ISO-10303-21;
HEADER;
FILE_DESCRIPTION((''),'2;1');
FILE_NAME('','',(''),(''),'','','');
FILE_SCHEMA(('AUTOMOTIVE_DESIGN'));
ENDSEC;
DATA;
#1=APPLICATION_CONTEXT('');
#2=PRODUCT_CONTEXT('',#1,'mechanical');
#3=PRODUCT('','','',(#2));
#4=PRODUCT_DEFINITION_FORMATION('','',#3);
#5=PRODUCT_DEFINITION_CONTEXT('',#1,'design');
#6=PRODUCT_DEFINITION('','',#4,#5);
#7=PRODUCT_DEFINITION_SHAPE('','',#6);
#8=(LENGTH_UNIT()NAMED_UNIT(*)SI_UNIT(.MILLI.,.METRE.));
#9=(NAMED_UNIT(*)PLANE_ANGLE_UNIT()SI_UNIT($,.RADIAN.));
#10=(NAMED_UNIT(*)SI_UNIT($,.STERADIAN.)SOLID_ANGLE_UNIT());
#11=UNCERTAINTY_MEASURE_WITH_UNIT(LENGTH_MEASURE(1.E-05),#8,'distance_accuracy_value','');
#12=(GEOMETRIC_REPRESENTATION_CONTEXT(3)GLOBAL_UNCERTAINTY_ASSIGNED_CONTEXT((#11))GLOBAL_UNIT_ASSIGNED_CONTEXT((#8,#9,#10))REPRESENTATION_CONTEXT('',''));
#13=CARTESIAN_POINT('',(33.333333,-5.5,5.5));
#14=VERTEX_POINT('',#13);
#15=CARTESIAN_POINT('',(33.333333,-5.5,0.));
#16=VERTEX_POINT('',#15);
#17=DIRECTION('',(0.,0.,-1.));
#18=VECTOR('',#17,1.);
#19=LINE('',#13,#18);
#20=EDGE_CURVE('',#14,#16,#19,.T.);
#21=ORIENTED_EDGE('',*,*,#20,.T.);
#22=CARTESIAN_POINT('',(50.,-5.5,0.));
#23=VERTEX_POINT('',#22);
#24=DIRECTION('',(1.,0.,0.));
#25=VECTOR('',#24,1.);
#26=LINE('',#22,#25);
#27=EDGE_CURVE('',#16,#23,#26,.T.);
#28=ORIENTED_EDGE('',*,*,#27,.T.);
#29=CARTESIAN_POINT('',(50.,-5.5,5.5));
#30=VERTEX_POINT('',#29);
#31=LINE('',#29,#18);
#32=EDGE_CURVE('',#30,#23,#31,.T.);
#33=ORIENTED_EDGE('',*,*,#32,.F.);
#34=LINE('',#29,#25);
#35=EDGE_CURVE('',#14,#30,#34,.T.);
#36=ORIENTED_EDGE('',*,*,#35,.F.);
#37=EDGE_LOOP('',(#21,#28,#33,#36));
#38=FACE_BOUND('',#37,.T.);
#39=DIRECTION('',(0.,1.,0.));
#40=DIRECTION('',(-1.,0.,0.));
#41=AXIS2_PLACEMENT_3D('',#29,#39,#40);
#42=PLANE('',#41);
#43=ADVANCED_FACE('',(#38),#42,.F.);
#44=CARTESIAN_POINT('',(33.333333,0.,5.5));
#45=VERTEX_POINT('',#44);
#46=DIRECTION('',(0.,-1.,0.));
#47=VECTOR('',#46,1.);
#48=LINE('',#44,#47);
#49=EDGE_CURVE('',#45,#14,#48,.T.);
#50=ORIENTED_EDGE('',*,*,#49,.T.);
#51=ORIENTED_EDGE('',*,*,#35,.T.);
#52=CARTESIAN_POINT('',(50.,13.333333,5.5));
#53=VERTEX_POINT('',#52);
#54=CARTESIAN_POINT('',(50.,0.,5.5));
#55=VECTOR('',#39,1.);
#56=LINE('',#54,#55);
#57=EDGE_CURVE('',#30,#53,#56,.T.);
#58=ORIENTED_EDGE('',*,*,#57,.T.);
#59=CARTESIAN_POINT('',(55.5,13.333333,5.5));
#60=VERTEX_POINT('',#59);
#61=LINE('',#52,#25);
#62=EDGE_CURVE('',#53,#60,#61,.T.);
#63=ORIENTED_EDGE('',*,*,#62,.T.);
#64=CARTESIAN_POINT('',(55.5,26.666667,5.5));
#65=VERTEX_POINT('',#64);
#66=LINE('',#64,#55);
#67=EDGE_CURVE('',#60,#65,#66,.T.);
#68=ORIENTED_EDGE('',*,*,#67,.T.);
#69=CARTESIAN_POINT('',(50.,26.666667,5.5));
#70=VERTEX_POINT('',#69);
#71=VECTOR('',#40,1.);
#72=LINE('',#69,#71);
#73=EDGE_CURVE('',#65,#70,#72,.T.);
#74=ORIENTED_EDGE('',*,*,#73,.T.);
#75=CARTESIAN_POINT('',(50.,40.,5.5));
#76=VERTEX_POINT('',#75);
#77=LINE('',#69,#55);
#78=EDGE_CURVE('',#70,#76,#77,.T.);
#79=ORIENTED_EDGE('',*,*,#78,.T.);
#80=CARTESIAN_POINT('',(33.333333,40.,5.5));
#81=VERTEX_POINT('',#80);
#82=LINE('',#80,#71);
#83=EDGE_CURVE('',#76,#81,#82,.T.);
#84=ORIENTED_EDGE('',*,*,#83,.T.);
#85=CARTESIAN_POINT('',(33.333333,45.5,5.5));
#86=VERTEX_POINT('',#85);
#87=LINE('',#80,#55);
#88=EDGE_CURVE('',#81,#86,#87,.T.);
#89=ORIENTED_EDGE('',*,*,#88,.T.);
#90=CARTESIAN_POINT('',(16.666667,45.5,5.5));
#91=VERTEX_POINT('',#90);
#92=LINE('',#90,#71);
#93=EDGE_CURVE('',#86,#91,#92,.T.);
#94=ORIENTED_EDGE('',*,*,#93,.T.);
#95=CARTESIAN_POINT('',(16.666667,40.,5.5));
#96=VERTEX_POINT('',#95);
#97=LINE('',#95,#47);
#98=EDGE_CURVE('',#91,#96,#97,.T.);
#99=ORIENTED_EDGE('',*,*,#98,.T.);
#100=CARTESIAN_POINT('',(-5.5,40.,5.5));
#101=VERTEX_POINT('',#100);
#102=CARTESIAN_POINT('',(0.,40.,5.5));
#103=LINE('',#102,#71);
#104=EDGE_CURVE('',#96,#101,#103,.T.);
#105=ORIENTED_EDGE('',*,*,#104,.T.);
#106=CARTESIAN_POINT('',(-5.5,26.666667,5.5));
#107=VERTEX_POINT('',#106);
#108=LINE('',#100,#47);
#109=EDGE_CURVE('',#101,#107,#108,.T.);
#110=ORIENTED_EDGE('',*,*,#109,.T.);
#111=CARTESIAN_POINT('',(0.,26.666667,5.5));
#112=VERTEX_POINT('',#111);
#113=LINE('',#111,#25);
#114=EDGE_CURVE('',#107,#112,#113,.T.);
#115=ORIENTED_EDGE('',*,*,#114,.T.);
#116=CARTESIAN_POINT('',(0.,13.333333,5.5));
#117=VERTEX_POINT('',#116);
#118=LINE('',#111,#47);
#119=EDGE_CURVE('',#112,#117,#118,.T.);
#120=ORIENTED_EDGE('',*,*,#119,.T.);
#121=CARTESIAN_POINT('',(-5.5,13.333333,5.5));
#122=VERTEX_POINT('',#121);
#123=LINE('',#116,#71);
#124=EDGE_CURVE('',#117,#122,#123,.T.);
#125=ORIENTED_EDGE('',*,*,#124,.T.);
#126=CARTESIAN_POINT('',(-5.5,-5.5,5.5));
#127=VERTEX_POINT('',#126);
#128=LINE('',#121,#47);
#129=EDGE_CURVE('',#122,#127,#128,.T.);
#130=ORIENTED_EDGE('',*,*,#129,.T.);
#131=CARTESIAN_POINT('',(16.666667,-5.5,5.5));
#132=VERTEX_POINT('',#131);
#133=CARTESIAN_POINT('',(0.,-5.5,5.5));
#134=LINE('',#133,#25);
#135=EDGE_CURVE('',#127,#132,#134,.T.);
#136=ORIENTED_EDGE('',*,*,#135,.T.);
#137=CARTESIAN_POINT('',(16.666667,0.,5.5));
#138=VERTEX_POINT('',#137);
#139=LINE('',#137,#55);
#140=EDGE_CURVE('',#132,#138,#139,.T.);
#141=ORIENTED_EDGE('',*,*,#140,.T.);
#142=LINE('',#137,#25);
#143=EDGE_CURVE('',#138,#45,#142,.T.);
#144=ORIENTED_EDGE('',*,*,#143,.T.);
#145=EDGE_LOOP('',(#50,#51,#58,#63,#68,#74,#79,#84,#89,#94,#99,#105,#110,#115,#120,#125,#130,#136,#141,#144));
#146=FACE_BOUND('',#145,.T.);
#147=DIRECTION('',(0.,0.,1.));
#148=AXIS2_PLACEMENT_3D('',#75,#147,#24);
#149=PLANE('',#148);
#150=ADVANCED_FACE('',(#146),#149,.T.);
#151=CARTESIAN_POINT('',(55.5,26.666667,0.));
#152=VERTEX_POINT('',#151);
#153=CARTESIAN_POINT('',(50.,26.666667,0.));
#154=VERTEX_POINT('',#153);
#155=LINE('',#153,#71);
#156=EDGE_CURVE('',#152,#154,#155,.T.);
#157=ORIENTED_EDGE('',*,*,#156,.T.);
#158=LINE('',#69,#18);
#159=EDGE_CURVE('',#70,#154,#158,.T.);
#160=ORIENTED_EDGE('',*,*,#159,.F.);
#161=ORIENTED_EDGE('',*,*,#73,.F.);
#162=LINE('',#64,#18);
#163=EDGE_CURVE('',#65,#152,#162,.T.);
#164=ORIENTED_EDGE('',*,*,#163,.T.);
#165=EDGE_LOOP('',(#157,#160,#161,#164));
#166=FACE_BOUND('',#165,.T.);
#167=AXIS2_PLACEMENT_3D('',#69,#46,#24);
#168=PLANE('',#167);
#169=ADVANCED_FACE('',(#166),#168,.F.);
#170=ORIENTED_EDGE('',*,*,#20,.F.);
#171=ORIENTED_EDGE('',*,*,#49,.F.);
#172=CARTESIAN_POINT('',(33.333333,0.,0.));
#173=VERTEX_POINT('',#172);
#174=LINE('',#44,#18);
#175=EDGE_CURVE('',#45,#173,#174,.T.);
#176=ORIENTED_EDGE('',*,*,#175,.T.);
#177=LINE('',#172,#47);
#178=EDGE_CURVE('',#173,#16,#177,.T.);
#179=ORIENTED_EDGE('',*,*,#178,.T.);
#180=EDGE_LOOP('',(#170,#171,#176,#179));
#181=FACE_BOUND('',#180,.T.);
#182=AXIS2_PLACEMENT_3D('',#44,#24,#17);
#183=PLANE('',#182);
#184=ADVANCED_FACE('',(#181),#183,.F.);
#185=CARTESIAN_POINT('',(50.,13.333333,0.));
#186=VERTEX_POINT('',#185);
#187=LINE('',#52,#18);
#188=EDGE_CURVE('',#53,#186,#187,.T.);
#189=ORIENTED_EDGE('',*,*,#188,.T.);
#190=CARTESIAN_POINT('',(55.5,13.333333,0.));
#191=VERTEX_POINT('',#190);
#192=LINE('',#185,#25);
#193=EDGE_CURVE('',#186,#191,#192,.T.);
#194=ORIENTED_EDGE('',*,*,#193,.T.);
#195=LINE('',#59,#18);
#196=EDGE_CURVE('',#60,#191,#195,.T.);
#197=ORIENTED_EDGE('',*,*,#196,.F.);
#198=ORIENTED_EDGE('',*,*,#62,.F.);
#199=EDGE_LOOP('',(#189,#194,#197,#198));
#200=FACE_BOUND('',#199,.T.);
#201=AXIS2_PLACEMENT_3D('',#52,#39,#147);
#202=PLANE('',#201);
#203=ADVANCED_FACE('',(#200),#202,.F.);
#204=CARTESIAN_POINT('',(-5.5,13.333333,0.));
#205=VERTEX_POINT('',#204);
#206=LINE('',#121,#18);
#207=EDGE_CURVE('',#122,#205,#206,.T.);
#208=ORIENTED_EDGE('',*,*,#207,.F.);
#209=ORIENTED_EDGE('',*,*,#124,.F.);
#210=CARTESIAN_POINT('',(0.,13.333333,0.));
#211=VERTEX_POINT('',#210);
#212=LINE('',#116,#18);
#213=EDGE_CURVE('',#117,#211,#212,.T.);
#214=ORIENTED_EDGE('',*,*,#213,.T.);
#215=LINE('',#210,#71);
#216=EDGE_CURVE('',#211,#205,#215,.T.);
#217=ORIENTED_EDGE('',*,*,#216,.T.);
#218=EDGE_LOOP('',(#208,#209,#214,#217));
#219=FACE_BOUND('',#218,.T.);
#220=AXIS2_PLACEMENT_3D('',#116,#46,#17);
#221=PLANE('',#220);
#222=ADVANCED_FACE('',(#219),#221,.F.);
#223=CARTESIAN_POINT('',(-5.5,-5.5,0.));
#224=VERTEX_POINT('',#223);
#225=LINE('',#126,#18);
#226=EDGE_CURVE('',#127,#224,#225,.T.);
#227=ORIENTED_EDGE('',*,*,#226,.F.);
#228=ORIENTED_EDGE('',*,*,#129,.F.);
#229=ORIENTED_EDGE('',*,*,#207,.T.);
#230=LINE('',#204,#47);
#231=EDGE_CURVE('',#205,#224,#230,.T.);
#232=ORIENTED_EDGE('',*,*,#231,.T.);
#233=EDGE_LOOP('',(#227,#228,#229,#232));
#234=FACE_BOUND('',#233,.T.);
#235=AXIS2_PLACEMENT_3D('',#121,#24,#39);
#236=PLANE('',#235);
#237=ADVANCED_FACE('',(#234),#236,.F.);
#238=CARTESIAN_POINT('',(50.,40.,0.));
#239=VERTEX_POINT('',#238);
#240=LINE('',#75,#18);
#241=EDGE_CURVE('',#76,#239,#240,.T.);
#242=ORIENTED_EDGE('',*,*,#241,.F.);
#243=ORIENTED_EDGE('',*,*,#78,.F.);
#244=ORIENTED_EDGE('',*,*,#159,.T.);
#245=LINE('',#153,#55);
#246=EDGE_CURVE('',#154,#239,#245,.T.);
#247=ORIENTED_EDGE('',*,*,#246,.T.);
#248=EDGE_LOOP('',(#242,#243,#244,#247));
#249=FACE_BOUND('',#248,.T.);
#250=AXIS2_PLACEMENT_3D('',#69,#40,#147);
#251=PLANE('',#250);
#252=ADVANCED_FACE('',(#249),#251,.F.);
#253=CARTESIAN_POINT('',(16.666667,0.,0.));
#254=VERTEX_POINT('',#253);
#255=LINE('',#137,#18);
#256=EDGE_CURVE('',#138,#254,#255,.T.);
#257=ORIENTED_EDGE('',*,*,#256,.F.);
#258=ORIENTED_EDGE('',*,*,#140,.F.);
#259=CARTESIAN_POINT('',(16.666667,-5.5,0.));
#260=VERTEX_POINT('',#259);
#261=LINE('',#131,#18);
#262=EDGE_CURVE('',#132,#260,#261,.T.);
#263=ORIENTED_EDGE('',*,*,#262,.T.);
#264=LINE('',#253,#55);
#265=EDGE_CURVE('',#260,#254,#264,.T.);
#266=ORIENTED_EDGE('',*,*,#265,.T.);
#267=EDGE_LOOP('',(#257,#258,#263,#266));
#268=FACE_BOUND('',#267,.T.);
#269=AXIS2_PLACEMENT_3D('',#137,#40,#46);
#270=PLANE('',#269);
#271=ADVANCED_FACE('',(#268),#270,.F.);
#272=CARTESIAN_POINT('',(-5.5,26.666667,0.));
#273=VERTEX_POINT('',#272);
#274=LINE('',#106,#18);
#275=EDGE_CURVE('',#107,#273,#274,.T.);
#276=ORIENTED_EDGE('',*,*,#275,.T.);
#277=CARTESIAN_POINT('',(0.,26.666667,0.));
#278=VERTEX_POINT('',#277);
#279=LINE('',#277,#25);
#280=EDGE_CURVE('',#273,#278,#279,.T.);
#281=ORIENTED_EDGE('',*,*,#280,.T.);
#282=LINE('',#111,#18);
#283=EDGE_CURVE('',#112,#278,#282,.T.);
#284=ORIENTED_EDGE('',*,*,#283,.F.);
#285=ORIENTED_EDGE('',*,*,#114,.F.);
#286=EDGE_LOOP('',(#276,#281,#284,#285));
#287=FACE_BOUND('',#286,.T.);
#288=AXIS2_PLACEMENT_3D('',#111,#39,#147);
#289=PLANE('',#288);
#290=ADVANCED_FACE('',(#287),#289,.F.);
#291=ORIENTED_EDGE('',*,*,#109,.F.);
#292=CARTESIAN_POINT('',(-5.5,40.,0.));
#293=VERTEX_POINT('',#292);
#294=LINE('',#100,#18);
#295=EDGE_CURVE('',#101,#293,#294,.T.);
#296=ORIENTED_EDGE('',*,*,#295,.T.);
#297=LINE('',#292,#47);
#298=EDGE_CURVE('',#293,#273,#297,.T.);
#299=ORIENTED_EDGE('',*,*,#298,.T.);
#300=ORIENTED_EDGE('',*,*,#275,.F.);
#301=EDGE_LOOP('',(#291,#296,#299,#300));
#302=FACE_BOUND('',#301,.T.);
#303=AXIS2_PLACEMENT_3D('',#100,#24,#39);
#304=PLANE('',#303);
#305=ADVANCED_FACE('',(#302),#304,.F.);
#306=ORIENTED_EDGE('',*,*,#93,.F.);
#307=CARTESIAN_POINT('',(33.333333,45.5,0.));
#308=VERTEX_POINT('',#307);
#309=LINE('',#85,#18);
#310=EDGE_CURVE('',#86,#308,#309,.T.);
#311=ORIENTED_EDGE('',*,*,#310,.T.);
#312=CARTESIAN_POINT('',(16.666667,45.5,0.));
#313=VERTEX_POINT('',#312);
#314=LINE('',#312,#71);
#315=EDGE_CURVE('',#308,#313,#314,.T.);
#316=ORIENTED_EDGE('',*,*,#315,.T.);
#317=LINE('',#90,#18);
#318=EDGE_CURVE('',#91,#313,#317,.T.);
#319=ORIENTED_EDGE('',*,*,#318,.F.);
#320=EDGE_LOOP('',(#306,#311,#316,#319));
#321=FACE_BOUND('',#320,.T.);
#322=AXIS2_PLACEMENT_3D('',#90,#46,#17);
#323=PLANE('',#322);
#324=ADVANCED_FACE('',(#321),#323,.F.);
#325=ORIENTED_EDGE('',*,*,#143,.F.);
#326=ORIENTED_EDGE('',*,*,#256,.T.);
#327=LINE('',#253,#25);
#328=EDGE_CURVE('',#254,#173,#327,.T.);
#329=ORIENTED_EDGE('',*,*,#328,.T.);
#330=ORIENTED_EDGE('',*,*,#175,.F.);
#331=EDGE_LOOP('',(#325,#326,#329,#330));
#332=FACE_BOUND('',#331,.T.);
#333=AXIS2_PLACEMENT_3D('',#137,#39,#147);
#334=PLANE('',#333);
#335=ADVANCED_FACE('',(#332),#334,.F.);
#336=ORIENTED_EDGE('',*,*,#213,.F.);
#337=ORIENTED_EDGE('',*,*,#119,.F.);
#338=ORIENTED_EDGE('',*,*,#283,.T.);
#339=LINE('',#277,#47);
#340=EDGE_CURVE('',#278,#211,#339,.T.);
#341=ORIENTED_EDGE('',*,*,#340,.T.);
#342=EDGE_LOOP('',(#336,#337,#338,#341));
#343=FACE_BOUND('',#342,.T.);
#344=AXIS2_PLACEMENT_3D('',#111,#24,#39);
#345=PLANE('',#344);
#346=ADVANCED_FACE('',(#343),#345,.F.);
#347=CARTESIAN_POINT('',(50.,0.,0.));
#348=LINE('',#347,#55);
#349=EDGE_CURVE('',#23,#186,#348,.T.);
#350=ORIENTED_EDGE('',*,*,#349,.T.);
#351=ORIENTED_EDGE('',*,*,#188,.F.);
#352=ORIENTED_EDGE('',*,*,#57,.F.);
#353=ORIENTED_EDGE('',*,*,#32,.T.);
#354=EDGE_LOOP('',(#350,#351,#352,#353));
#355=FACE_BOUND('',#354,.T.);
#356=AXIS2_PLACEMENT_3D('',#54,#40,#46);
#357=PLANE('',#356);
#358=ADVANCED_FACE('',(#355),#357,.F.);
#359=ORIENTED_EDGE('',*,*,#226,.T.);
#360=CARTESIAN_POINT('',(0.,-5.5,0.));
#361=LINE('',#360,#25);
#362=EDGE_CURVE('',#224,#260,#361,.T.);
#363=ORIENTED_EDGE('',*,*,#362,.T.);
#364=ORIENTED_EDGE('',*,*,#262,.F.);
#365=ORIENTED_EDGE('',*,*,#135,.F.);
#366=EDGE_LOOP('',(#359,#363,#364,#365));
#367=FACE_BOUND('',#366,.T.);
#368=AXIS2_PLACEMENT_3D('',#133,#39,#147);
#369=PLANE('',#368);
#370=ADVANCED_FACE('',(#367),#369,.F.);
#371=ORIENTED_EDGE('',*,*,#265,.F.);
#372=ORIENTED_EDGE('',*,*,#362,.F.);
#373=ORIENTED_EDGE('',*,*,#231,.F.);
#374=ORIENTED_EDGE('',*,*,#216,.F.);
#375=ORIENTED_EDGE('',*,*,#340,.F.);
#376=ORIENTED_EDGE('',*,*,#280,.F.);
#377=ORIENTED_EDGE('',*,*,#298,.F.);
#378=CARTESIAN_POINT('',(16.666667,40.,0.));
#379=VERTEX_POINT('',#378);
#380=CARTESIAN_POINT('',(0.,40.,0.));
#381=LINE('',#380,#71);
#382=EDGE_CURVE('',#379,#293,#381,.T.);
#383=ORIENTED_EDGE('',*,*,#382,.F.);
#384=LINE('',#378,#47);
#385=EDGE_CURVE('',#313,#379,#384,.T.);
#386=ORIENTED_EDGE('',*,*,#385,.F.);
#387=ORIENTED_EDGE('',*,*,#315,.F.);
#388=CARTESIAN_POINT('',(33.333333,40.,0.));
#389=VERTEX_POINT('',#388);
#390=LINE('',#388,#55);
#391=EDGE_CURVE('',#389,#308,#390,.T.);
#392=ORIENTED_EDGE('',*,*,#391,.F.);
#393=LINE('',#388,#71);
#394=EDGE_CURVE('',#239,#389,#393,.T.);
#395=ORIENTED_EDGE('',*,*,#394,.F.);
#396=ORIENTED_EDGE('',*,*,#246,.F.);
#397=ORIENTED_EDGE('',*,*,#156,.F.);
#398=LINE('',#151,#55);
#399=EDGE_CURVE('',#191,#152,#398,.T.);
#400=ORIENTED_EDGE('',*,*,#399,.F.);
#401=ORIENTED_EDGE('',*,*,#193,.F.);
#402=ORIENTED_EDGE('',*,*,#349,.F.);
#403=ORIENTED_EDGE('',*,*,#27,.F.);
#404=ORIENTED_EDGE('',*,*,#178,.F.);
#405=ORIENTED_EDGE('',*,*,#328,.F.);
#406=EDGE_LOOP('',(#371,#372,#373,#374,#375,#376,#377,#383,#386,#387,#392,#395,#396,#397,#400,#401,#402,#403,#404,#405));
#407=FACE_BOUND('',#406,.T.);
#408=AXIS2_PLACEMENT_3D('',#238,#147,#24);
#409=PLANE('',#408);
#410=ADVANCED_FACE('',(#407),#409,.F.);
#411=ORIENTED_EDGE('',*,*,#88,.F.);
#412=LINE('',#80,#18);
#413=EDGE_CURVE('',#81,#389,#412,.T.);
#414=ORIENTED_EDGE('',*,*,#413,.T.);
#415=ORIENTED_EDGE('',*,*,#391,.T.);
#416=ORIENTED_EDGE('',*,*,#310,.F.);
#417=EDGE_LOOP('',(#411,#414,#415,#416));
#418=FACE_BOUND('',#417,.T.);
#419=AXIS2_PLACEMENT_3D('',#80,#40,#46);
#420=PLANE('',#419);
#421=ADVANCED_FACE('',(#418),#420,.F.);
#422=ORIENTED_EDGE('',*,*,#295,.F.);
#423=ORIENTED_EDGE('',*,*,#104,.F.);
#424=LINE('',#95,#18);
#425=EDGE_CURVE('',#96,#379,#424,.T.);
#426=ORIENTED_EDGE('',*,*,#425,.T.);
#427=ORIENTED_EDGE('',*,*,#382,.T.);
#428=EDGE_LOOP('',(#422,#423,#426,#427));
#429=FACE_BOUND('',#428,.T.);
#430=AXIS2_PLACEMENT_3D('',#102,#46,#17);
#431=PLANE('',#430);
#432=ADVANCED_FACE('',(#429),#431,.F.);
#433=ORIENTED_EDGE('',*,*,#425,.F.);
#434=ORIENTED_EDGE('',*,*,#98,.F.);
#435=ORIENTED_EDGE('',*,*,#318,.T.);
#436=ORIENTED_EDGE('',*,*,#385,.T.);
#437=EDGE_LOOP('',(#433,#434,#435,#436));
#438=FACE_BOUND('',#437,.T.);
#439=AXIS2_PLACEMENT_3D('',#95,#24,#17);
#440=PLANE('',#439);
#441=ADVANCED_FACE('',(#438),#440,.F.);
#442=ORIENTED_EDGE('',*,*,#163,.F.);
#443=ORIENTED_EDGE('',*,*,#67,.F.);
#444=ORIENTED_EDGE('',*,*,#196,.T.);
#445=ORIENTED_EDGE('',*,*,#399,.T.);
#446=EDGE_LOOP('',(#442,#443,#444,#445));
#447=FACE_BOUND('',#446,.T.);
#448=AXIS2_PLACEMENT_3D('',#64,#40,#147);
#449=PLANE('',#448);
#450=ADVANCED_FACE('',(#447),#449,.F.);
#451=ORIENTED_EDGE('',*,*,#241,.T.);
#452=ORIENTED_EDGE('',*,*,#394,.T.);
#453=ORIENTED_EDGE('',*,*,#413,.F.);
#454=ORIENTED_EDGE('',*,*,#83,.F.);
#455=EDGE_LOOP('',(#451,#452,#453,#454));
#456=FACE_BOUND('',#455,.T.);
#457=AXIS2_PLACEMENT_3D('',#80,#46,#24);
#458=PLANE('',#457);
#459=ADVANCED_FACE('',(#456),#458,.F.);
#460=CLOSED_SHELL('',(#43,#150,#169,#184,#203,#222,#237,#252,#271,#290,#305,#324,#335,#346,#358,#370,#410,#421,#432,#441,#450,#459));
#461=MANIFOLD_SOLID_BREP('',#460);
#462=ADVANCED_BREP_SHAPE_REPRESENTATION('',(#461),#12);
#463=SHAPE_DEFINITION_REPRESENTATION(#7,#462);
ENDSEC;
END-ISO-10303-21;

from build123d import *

# Parameters (mm, degrees)
BOSS_EXTRUDE1_DEPTH = 5.5


with BuildPart() as part:
    # Sketch1 → Boss-Extrude1 (new body)
    with BuildSketch(Plane.XY):
        Polygon((16.666666667, 0), (33.333333333, 0), (33.333333333, -5.5), (50, -5.5), (50, 0), (50, 13.333333333), (55.5, 13.333333333), (55.5, 26.666666667), (50, 26.666666667), (50, 40), (33.333333333, 40), (33.333333333, 45.5), (16.666666667, 45.5), (16.666666667, 40), (0, 40), (-5.5, 40), (-5.5, 26.666666667), (0, 26.666666667), (0, 13.333333333), (-5.5, 13.333333333), (-5.5, -5.5), (0, -5.5), (16.666666667, -5.5), align=None)
    extrude(amount=BOSS_EXTRUDE1_DEPTH)


solid = part.part
